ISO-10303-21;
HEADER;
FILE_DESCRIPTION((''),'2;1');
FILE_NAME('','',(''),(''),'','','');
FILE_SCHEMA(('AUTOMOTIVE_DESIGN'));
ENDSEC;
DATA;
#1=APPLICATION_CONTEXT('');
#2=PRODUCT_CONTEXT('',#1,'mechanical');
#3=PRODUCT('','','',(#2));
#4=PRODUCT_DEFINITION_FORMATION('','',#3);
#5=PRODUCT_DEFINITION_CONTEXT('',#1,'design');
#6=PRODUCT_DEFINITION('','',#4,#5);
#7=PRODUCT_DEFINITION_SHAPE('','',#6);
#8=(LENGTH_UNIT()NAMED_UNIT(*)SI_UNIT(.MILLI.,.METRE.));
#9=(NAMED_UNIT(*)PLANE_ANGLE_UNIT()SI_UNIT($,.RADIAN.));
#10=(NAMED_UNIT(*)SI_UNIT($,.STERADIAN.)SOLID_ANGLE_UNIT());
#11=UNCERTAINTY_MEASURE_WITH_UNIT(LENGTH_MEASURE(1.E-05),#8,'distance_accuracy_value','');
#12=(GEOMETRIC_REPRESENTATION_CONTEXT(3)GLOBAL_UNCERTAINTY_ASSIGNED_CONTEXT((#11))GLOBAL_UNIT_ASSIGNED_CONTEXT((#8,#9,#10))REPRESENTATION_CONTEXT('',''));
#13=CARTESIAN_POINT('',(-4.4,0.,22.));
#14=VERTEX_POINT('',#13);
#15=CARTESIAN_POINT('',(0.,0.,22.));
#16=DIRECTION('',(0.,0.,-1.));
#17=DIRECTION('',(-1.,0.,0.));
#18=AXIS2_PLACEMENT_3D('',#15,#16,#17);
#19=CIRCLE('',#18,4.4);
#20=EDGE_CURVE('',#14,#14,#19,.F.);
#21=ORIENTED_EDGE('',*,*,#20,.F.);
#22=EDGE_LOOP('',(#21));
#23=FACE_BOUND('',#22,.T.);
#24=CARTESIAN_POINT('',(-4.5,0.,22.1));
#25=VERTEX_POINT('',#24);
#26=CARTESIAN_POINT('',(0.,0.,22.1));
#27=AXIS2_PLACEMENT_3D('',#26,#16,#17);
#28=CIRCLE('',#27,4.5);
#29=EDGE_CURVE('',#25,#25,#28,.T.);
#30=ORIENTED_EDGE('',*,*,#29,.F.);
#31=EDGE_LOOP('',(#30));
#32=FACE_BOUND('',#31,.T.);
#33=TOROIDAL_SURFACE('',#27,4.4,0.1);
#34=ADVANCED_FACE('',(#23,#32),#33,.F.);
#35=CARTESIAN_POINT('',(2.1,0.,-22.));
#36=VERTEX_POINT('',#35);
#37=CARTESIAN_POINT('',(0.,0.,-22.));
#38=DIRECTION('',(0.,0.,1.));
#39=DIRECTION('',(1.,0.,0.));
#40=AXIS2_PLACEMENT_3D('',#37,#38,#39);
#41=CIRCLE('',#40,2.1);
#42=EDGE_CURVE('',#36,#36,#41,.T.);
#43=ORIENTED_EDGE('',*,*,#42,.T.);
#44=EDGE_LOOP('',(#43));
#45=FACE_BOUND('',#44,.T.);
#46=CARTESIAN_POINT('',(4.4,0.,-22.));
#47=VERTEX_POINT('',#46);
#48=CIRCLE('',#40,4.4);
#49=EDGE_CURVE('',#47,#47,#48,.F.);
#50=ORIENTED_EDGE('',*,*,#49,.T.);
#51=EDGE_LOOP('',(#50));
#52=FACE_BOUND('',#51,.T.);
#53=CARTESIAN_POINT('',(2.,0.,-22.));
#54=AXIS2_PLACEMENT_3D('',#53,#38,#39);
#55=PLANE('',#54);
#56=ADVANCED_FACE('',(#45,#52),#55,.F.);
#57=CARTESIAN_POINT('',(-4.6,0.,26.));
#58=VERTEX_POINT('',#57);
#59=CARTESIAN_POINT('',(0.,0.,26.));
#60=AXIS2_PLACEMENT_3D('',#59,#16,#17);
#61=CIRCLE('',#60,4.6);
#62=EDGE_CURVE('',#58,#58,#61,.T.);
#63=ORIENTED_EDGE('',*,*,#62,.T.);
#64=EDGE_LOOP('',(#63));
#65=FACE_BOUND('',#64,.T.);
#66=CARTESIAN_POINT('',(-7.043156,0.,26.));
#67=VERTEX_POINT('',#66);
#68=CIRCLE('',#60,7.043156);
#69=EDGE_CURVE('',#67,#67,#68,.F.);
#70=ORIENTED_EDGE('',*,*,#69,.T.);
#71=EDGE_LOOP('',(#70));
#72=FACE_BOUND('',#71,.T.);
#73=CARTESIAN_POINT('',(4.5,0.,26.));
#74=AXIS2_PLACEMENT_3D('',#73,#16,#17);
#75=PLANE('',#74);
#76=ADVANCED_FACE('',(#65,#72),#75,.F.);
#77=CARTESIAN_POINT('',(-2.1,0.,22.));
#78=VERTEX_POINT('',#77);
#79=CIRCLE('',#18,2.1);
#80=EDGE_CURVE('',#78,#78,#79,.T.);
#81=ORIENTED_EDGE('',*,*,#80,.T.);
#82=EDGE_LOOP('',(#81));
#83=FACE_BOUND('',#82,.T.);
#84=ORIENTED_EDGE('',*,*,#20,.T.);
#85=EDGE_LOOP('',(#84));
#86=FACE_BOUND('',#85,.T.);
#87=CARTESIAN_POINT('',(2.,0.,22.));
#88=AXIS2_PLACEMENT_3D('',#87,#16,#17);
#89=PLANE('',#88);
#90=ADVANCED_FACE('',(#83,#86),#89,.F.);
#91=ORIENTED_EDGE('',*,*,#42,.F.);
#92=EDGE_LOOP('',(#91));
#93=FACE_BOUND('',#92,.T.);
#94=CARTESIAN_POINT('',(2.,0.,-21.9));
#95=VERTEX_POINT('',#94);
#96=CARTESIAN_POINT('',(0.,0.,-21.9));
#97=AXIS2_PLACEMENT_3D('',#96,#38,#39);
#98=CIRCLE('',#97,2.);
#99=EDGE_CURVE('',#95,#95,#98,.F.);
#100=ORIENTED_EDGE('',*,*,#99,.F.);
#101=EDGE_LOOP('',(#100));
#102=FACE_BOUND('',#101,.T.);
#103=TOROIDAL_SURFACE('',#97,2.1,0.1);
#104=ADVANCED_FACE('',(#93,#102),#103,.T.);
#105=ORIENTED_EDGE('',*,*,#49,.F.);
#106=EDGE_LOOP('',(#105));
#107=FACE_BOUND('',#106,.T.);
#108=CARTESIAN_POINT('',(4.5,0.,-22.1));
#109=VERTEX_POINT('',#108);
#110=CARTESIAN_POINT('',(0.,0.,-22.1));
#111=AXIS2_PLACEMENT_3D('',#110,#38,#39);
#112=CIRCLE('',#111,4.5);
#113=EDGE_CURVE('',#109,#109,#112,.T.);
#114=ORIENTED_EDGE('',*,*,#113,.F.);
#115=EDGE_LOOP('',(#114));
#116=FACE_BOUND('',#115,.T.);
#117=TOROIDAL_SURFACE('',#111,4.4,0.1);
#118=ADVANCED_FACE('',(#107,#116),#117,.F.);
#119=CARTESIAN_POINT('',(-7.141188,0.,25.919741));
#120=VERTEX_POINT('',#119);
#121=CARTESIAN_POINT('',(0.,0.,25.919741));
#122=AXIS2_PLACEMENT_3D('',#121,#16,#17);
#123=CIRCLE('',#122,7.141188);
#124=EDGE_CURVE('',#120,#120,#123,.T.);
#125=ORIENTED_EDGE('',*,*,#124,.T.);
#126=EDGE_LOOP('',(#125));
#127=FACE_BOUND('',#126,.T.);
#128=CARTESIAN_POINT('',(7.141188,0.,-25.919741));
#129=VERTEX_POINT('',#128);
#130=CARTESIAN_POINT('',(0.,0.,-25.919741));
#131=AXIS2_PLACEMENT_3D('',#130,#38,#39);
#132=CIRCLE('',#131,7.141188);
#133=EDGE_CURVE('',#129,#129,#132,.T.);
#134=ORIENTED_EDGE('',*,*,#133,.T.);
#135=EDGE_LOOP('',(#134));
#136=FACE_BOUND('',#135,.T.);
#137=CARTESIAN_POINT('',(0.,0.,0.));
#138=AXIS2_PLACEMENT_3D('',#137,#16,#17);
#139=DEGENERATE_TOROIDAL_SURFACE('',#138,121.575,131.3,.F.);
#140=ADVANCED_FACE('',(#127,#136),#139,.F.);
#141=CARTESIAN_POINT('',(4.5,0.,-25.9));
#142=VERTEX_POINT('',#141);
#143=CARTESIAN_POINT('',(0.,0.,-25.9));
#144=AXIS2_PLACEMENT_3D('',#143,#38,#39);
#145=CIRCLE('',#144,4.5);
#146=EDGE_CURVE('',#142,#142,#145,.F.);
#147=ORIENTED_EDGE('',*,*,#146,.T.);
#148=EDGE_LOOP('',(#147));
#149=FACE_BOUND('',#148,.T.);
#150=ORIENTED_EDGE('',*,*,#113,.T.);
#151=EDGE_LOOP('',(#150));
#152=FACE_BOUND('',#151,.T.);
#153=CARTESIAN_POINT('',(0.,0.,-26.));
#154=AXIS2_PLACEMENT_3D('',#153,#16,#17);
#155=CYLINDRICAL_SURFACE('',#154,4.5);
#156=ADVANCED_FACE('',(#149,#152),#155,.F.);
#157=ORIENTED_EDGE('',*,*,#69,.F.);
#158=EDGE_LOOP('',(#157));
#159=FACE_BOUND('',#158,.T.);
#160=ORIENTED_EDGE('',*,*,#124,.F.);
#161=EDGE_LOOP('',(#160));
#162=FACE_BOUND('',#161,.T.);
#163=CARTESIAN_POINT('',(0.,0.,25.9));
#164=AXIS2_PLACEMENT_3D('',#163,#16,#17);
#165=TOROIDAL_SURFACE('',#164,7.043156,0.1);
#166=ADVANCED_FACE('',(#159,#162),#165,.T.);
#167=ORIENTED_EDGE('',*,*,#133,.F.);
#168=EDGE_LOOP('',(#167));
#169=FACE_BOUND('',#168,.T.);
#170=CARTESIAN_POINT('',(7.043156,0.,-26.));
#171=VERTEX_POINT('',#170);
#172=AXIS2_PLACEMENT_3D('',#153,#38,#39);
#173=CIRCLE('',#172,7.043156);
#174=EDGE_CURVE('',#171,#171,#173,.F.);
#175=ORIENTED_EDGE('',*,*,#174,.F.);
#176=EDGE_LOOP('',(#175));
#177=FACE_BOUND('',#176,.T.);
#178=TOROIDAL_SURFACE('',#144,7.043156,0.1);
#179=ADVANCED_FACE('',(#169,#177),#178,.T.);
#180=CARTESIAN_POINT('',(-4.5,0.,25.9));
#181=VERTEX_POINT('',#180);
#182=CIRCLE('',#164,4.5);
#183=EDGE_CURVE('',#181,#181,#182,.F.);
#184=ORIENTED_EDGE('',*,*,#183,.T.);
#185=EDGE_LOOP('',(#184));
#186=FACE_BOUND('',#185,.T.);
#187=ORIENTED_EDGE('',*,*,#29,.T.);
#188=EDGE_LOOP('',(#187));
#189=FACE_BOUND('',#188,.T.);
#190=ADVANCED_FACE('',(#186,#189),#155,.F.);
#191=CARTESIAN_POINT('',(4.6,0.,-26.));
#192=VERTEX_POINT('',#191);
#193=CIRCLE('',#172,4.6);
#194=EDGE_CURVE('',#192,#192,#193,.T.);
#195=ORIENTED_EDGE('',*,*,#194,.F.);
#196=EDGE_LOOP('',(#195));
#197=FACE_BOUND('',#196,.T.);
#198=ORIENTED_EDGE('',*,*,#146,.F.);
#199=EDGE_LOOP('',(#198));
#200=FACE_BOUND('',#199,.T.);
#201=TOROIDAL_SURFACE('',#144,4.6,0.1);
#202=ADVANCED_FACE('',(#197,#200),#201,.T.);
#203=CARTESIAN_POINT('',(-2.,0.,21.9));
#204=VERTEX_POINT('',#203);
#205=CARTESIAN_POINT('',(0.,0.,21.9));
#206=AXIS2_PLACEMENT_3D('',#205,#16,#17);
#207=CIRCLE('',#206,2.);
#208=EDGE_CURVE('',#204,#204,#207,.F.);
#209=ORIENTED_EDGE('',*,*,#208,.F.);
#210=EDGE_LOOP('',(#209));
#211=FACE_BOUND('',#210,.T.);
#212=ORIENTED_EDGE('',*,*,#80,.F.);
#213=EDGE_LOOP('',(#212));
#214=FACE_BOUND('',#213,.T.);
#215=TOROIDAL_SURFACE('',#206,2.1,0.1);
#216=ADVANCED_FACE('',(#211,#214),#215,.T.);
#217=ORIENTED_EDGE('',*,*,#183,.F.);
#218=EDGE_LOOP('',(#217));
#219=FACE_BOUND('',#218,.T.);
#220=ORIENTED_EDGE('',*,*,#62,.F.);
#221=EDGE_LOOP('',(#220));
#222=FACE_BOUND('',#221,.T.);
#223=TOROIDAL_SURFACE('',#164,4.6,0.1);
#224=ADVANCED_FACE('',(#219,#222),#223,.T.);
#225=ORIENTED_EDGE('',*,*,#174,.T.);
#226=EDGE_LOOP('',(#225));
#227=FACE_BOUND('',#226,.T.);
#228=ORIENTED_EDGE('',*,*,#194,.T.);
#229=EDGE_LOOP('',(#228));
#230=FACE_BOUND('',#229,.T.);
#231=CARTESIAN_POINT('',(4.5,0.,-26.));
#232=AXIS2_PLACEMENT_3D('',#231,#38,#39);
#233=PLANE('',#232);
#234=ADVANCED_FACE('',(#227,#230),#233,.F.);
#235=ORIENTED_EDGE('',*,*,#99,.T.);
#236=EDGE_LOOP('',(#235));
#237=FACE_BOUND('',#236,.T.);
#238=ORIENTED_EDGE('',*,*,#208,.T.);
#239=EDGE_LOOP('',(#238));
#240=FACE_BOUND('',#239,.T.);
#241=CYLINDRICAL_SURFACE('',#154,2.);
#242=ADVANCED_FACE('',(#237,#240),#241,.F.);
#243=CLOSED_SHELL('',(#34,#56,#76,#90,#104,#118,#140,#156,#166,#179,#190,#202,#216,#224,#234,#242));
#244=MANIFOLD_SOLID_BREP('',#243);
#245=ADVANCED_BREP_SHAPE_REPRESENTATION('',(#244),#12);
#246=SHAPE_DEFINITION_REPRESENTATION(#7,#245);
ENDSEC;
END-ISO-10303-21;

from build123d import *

# Parameters (mm, degrees)
FILLET1_R = 0.1


with BuildPart() as part:
    # Sketch1 → Revolve1 (revolve)
    with BuildSketch(Plane(origin=(0, 0, 0), x_dir=(1, 0, 0), z_dir=(0, 1, 0)), mode=Mode.PRIVATE) as revolve1_sk:
        with BuildLine():
            Line((2, 22), (2, -22))
            Line((2, -22), (4.5, -22))
            Line((4.5, -22), (4.5, -26))
            Line((4.5, -26), (7.125, -26))
            ThreePointArc((7.125, -26), (9.725, 0), (7.125, 26))
            Line((7.125, 26), (4.5, 26))
            Line((4.5, 26), (4.5, 22))
            Line((4.5, 22), (2, 22))
        make_face()
    revolve(revolve1_sk.sketch.rotate(Axis((0, 0, -26), (0, 0, 1)), 180), axis=Axis((0, 0, -26), (0, 0, 1)))

    # Fillet1
    fillet1_edges = [part.edges().sort_by_distance(p)[0] for p in [
        (4.5, 0, -22),
        (2, 0, -22),
        (2, 0, 22),
        (4.5, 0, 22),
        (4.5, 0, 26),
        (7.125, 0, 26),
        (7.125, 0, -26),
        (4.5, 0, -26),
    ]]
    fillet(fillet1_edges, radius=FILLET1_R)


solid = part.part
